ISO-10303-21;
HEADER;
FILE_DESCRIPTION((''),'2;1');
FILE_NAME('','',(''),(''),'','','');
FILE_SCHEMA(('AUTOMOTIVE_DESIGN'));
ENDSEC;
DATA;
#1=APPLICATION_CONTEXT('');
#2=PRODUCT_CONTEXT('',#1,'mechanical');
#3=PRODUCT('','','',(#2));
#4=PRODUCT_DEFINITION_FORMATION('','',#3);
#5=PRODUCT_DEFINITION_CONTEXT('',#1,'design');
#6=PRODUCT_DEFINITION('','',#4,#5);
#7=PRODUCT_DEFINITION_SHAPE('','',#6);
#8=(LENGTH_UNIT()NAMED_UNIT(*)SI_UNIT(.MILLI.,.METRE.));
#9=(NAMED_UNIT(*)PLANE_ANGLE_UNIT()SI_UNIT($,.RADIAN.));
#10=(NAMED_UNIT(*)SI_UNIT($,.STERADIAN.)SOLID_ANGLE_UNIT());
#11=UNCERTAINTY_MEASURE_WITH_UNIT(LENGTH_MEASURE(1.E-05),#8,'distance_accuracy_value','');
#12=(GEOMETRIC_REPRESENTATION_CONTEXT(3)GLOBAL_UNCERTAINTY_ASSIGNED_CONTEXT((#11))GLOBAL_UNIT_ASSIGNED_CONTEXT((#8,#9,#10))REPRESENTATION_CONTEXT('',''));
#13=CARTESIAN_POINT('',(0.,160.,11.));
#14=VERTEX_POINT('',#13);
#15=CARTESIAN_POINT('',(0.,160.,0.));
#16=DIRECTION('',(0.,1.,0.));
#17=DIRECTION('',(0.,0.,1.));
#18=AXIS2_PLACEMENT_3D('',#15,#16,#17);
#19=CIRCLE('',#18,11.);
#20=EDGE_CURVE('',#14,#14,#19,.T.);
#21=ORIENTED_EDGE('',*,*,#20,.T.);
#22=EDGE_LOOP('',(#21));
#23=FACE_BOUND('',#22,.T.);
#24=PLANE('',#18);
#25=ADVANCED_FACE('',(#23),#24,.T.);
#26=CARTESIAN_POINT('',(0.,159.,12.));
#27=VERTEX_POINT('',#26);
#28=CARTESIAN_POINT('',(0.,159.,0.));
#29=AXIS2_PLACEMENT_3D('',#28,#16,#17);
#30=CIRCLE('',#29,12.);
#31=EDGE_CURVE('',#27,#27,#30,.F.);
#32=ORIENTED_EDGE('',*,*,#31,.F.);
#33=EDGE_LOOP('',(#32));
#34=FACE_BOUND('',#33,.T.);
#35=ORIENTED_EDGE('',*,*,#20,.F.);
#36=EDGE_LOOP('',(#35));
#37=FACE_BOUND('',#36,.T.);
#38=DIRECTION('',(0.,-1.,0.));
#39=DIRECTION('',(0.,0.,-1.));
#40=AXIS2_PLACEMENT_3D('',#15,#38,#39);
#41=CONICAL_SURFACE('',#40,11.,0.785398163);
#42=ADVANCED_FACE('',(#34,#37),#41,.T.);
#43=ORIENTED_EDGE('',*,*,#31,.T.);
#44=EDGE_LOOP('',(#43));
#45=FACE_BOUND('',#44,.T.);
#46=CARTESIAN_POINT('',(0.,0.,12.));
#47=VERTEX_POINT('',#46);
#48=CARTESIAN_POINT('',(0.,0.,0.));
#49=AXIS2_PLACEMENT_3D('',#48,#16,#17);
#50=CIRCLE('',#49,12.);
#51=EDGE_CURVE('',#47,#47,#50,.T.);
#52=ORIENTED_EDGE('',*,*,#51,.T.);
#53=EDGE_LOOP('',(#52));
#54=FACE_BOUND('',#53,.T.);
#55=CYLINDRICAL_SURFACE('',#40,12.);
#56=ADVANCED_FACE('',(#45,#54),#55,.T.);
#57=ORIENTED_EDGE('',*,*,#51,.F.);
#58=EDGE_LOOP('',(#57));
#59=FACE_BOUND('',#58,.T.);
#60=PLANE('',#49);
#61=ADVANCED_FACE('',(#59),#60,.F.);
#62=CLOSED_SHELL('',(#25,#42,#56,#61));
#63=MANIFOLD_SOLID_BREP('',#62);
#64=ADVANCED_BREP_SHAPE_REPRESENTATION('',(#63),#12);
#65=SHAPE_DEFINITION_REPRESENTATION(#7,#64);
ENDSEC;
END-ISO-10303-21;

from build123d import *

# Parameters (mm, degrees)
SKETCH1_R           = 12
BOSS_EXTRUDE1_DEPTH = 160
CHAMFER1_SIZE       = 1


with BuildPart() as part:
    # Sketch1 → Boss-Extrude1 (new body)
    with BuildSketch(Plane(origin=(0, 0, 0), x_dir=(1, 0, 0), z_dir=(0, 1, 0))):
        Circle(SKETCH1_R)
    extrude(amount=BOSS_EXTRUDE1_DEPTH)

    # Chamfer1
    chamfer1_edges = [part.edges().sort_by_distance(p)[0] for p in [
        (-12, 160, 0),
    ]]
    chamfer(chamfer1_edges, length=CHAMFER1_SIZE)


solid = part.part
